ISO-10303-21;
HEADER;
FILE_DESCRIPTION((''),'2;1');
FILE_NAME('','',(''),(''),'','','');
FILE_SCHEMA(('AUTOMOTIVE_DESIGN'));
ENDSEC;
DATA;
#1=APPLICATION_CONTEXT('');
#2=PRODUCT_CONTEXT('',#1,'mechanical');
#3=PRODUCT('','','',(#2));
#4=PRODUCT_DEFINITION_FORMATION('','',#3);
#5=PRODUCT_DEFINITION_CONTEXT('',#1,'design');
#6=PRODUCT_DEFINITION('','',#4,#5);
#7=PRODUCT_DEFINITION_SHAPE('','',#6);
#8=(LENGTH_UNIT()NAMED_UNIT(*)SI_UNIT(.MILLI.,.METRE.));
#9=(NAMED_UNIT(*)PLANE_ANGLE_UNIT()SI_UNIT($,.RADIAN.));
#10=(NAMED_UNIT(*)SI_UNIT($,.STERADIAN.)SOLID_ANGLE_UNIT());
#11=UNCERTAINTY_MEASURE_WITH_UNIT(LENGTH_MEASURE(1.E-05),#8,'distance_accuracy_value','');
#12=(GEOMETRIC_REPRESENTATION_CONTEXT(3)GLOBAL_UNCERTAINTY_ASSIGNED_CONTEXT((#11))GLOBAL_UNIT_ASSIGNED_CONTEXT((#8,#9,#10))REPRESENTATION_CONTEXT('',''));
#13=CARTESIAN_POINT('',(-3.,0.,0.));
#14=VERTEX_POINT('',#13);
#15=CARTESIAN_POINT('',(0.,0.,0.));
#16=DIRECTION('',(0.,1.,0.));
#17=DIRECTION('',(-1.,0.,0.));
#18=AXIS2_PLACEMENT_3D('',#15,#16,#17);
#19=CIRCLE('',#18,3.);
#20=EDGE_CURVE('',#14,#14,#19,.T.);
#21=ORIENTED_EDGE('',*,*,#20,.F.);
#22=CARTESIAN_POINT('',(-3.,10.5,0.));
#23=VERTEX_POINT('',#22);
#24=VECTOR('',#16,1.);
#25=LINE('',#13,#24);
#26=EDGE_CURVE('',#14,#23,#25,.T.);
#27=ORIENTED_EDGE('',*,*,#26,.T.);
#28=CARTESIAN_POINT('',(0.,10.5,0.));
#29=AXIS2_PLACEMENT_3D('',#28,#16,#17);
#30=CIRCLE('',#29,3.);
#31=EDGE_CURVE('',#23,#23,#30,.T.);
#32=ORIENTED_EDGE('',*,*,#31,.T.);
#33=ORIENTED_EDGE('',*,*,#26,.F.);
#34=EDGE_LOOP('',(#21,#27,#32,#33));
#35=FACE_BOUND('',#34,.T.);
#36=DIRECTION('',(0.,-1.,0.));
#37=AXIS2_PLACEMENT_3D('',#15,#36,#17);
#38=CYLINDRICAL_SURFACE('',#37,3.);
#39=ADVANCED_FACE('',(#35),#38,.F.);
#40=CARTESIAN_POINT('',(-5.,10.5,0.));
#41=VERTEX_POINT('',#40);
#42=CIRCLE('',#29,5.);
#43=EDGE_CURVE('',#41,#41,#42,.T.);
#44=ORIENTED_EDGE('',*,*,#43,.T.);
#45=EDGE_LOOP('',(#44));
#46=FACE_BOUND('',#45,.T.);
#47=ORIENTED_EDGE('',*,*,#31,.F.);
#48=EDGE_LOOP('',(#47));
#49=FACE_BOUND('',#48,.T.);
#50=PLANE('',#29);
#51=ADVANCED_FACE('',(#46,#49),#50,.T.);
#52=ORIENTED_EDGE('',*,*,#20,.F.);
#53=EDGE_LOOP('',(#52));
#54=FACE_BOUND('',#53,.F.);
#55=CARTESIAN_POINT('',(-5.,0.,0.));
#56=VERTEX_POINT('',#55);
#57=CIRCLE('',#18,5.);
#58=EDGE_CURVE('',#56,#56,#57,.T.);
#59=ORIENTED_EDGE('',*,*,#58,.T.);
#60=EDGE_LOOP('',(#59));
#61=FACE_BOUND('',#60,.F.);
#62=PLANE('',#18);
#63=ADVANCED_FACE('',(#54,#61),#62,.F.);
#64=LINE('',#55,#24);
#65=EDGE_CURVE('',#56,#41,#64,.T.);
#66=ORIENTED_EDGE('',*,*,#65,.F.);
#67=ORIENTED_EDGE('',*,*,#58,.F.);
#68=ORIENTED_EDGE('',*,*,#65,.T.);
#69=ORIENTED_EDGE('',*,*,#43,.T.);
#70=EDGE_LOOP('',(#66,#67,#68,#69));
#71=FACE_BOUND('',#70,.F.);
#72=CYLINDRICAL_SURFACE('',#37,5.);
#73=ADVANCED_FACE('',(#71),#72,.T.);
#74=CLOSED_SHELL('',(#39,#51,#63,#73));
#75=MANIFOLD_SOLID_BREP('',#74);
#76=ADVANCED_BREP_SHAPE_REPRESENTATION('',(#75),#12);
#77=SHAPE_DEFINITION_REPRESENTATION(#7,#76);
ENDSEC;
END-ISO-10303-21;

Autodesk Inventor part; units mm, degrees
ref_plane "YZ Plane" through (0, 0, 0) normal (1, 0, 0) x (0, 1, 0)
ref_plane "XZ Plane" through (0, 0, 0) normal (0, 1, 0) x (-1, 0, 0)
ref_plane "XY Plane" through (0, 0, 0) normal (0, 0, 1) x (1, 0, 0)
sketch "Sketch1" plane through (0, 0, 0) normal (0, 1, 0) x (-1, 0, 0)
  circle A0 centre (0, 0) radius 3
  circle A1 centre (0, 0) radius 5
  dimension "d0" = 6
  dimension "d1" = 10
extrude "Extrusion1" add sketch "Sketch1" along normal blind 10.5
properties part number "gear spacer"
